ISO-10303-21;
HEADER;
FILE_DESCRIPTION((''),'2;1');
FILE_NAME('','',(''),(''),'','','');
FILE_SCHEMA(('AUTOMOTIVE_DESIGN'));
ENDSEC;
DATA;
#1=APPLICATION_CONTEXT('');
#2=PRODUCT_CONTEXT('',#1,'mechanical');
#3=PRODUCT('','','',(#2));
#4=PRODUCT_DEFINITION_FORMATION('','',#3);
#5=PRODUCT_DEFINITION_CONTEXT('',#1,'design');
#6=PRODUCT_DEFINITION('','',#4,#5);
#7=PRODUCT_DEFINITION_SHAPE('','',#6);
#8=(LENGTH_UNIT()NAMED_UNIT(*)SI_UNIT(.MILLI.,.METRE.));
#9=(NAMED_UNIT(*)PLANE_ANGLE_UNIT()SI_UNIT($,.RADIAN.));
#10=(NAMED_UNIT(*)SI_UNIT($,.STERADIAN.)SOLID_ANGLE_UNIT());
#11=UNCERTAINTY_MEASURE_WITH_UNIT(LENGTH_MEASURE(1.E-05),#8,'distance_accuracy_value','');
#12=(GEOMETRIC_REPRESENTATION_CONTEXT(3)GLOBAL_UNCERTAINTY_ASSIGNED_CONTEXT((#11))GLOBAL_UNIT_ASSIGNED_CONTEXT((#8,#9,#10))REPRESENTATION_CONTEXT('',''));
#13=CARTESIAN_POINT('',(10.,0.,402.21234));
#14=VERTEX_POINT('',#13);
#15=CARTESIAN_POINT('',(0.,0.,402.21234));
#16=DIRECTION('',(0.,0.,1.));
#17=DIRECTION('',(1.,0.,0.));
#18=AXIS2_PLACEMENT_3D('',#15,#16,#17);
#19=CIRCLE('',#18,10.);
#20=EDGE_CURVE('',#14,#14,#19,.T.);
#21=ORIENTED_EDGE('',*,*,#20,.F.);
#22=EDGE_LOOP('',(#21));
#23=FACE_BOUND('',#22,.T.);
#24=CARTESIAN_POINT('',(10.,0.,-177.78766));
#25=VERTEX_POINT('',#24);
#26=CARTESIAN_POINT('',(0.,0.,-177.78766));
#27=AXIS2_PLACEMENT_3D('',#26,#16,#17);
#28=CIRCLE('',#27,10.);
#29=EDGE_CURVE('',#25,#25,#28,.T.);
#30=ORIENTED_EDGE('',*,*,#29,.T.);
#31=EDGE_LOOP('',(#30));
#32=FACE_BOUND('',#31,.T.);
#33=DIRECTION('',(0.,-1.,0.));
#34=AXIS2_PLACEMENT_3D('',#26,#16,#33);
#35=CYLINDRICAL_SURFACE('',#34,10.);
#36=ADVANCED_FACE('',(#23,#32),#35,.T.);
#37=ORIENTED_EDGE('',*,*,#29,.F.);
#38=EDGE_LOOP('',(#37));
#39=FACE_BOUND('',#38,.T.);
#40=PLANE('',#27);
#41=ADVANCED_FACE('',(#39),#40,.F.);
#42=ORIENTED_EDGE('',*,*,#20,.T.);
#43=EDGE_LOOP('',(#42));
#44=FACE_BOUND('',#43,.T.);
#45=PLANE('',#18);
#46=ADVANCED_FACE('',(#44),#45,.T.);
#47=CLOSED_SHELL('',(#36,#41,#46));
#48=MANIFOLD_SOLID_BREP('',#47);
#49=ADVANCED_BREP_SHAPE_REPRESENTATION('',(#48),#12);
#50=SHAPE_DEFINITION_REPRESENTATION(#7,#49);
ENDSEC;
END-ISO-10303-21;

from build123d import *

# Parameters (mm, degrees)
SWEEP3_PROFILE_R = 10


with BuildPart() as part:
    # Sweep3: sweep along a path in Sketch4
    with BuildLine(Plane(origin=(0, 0, 0), x_dir=(0, 0, -1), z_dir=(1, 0, 0))) as sweep3_path:
        Line((177.787660408, 0), (-402.212339592, 0))
    # Sweep3 profile (on start of the path) → Sweep3 (sweep)
    with BuildSketch(Plane(origin=(0, 0, -177.787660408), x_dir=(0, 1, 0), z_dir=(0, 0, 1))):
        Circle(SWEEP3_PROFILE_R)
    sweep(path=sweep3_path.line)


solid = part.part
